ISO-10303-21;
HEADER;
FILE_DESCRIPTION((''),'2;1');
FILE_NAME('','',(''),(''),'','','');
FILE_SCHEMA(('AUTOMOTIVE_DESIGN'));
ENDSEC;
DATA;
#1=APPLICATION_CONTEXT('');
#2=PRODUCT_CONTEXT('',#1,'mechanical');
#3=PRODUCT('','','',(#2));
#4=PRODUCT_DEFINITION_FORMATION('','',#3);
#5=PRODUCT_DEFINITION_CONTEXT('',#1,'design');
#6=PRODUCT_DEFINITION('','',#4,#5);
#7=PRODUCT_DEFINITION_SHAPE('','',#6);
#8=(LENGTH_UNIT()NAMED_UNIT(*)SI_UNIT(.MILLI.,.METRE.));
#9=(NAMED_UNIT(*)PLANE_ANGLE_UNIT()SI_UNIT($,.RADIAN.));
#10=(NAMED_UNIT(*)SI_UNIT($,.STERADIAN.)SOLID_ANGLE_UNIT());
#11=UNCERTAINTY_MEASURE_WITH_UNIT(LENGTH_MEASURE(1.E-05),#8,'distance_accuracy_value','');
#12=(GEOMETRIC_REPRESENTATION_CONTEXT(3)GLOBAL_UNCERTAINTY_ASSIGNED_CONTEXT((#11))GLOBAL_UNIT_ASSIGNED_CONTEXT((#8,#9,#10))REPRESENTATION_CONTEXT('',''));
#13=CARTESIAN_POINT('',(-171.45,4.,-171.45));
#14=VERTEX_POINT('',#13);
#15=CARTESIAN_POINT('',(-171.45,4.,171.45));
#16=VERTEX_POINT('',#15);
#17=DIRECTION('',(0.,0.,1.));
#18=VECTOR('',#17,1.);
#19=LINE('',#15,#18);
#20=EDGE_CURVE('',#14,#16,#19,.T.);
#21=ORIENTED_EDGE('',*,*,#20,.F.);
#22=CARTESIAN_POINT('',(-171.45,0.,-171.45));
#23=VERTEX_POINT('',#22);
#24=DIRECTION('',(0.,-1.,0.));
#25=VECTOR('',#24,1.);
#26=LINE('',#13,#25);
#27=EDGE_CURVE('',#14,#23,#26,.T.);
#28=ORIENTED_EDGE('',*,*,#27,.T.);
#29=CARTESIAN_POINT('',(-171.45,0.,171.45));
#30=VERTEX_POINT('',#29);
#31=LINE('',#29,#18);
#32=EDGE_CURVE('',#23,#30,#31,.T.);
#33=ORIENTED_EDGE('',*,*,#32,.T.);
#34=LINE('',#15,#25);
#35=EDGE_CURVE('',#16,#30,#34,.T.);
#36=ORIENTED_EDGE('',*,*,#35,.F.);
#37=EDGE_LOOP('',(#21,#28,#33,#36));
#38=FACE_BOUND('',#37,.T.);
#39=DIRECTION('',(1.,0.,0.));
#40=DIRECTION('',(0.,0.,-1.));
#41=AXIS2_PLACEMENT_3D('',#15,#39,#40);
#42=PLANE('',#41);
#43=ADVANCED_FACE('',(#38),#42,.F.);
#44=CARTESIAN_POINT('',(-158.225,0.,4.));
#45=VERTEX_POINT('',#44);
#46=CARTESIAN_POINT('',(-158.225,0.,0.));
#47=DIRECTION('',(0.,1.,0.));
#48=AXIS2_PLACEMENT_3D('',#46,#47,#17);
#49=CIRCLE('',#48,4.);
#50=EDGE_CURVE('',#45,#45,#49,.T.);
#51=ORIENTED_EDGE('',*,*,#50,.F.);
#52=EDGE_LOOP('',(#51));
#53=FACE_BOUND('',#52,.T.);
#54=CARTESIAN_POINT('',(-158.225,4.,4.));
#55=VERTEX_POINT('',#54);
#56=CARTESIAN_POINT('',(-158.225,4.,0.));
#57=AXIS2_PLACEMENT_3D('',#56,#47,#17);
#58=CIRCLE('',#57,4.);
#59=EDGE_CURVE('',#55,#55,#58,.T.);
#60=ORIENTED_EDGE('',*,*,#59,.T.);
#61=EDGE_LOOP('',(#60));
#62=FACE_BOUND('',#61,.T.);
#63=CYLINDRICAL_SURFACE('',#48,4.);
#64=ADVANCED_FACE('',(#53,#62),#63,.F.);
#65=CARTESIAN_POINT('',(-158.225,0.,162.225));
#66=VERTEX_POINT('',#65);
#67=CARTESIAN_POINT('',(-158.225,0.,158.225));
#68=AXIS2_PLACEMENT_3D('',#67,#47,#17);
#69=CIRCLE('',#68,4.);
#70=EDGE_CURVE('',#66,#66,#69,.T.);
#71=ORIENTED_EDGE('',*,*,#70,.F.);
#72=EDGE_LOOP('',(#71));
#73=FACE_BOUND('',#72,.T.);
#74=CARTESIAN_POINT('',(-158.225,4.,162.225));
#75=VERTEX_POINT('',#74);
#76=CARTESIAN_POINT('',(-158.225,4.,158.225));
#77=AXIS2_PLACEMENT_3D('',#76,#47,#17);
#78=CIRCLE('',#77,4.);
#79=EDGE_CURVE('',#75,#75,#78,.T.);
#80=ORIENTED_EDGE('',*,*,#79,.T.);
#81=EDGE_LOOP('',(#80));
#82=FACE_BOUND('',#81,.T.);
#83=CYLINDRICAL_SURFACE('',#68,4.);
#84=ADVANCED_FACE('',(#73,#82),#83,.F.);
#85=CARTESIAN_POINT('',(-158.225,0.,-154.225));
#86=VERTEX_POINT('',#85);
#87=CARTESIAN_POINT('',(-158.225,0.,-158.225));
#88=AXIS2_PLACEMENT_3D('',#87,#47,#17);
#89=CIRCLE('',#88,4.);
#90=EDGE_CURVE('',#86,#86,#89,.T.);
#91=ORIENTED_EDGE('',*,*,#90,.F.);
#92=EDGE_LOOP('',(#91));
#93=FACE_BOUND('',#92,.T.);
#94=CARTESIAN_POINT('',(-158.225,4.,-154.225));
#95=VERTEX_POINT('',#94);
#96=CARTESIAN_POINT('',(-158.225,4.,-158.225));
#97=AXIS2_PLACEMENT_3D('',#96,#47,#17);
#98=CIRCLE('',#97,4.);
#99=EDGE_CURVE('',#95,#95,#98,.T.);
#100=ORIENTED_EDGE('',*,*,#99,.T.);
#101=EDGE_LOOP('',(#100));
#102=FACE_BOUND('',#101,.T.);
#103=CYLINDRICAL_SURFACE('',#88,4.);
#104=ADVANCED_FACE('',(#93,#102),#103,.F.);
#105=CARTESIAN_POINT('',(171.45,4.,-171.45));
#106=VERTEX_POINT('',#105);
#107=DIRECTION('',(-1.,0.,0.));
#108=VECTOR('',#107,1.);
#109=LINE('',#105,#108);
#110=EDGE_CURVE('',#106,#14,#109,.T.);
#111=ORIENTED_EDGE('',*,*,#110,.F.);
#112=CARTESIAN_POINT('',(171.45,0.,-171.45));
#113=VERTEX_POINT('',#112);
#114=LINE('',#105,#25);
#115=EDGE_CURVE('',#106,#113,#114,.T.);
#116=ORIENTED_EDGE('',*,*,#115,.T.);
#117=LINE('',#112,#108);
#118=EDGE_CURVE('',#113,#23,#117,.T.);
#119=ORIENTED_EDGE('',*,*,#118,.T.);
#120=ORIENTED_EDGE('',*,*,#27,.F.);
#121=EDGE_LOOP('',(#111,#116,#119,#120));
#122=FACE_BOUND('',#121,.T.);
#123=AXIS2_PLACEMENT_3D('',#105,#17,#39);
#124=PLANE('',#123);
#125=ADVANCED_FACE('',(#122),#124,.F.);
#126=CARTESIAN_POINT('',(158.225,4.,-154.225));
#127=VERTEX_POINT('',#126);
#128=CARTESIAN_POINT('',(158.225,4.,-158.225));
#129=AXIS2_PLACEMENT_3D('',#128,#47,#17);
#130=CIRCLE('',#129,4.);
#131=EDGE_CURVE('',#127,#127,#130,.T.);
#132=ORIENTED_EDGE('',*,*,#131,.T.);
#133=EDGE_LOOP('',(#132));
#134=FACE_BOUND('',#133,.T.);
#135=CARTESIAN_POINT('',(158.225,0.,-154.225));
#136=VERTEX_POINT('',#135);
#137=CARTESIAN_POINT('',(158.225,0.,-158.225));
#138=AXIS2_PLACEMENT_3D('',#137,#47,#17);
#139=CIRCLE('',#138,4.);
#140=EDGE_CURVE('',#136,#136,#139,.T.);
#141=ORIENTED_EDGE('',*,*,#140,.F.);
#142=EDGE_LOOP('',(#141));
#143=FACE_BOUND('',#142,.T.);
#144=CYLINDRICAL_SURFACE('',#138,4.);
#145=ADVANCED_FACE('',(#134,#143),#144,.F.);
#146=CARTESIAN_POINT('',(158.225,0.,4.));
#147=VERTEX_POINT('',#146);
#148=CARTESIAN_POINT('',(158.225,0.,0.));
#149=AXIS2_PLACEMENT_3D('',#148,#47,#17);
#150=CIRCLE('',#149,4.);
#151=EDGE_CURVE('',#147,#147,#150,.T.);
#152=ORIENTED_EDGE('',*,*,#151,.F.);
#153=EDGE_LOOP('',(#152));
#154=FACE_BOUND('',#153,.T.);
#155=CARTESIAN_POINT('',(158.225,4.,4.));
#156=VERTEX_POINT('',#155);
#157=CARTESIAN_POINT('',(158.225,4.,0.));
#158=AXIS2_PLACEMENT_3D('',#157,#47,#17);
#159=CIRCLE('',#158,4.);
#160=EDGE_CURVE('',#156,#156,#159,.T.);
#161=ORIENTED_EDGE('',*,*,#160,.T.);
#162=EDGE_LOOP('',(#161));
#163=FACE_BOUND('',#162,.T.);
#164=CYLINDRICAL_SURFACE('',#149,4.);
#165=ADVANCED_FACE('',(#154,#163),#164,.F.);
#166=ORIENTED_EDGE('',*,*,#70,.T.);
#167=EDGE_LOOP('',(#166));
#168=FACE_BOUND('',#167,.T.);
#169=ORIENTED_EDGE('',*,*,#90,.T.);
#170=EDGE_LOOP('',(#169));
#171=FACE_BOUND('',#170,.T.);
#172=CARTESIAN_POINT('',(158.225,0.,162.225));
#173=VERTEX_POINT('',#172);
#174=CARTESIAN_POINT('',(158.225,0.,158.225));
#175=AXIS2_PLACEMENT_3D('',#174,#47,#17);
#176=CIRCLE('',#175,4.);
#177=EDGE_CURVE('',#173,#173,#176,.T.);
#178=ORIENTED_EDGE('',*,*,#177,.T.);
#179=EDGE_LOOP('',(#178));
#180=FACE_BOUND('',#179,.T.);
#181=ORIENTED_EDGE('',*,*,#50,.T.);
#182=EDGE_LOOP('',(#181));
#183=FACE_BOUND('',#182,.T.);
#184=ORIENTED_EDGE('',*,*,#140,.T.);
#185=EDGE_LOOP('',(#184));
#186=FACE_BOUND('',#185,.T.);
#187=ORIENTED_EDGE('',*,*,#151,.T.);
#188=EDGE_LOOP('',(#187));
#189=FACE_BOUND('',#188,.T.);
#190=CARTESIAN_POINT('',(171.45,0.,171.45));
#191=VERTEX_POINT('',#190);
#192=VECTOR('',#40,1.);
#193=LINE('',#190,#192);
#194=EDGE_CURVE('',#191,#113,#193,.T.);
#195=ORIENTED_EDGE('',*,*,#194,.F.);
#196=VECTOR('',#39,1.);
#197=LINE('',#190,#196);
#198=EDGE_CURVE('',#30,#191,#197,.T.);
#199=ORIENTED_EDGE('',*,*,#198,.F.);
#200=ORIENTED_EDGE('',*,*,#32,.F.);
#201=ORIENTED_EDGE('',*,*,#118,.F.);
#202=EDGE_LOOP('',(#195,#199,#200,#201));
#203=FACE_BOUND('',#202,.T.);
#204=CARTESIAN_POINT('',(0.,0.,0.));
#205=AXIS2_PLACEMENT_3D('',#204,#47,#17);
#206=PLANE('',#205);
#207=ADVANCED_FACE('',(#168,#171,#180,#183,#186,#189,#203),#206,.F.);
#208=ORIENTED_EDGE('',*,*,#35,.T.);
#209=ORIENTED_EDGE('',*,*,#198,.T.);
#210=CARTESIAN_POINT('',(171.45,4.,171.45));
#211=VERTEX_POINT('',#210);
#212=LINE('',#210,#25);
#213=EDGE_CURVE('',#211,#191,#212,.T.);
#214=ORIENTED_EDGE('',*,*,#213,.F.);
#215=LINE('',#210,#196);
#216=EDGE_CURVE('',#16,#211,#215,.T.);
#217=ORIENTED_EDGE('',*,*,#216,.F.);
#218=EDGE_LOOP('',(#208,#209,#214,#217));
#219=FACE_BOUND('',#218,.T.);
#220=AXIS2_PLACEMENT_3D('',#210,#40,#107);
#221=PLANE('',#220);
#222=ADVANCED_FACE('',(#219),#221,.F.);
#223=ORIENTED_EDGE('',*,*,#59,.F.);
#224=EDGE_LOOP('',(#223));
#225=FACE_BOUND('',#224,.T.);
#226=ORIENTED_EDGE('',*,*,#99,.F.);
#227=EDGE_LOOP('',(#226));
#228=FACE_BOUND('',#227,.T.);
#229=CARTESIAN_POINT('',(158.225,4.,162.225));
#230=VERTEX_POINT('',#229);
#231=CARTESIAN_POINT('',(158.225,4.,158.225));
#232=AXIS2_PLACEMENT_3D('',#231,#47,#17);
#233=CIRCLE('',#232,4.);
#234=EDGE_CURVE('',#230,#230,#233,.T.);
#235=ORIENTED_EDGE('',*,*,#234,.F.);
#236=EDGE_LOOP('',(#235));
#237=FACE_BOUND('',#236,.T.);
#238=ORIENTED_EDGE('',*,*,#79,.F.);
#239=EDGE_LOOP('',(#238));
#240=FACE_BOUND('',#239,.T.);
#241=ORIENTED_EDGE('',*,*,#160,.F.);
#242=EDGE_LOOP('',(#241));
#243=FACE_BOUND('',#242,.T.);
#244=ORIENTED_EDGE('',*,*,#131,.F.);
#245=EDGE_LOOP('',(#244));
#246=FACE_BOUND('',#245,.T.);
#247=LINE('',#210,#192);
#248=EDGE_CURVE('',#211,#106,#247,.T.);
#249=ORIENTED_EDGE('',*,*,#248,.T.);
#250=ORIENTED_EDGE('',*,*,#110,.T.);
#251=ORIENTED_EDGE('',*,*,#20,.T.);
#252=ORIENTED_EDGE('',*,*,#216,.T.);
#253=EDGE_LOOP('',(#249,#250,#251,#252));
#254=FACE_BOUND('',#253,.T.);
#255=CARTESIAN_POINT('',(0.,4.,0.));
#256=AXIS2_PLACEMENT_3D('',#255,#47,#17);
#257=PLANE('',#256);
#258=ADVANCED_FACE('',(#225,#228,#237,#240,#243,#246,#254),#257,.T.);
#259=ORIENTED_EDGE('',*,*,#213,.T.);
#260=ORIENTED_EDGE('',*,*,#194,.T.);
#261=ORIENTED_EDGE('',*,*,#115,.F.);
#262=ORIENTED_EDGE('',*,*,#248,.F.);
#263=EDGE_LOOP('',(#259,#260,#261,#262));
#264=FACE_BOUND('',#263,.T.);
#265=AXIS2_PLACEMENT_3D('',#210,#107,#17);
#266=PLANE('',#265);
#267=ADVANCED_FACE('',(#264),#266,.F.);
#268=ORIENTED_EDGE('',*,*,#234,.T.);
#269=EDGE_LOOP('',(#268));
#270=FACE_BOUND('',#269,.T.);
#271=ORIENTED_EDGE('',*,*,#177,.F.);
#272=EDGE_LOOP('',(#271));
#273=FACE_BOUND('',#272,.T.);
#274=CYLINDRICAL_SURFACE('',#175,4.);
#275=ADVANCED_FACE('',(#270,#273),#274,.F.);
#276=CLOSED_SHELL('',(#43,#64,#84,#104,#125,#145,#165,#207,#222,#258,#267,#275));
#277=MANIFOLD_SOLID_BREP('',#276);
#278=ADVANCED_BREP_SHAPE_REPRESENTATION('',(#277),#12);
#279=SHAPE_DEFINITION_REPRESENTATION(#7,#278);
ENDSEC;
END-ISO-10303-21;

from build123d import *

# Parameters (mm, degrees)
SKETCH1_W           = 342.9
SKETCH1_H           = 342.9
BOSS_EXTRUDE1_DEPTH = 4
SKETCH2_R           = 4
CUT_EXTRUDE1_DEPTH  = 243.499907216


with BuildPart() as part:
    # Sketch1 → Boss-Extrude1 (new body)
    with BuildSketch(Plane(origin=(0, 0, 0), x_dir=(1, 0, 0), z_dir=(0, 1, 0))):
        Rectangle(SKETCH1_W, SKETCH1_H)
    extrude(amount=BOSS_EXTRUDE1_DEPTH)

    # Sketch2 → Cut-Extrude1 (cut, through all)
    with BuildSketch(Plane(origin=(0, 4, 0), x_dir=(1, 0, 0), z_dir=(0, 1, 0))):
        with Locations(Location((-158.225, 158.225, 0), (0, 0, 270))):
            Circle(SKETCH2_R)
        with Locations(Location((-158.225, 0, 0), (0, 0, 270))):
            Circle(SKETCH2_R)
        with Locations(Location((-158.225, -158.225, 0), (0, 0, 270))):
            Circle(SKETCH2_R)
        with Locations(Location((158.225, 158.225, 0), (0, 0, 270))):
            Circle(SKETCH2_R)
        with Locations(Location((158.225, 0, 0), (0, 0, 270))):
            Circle(SKETCH2_R)
        with Locations(Location((158.225, -158.225, 0), (0, 0, 270))):
            Circle(SKETCH2_R)
    extrude(amount=-CUT_EXTRUDE1_DEPTH, mode=Mode.SUBTRACT)


solid = part.part
